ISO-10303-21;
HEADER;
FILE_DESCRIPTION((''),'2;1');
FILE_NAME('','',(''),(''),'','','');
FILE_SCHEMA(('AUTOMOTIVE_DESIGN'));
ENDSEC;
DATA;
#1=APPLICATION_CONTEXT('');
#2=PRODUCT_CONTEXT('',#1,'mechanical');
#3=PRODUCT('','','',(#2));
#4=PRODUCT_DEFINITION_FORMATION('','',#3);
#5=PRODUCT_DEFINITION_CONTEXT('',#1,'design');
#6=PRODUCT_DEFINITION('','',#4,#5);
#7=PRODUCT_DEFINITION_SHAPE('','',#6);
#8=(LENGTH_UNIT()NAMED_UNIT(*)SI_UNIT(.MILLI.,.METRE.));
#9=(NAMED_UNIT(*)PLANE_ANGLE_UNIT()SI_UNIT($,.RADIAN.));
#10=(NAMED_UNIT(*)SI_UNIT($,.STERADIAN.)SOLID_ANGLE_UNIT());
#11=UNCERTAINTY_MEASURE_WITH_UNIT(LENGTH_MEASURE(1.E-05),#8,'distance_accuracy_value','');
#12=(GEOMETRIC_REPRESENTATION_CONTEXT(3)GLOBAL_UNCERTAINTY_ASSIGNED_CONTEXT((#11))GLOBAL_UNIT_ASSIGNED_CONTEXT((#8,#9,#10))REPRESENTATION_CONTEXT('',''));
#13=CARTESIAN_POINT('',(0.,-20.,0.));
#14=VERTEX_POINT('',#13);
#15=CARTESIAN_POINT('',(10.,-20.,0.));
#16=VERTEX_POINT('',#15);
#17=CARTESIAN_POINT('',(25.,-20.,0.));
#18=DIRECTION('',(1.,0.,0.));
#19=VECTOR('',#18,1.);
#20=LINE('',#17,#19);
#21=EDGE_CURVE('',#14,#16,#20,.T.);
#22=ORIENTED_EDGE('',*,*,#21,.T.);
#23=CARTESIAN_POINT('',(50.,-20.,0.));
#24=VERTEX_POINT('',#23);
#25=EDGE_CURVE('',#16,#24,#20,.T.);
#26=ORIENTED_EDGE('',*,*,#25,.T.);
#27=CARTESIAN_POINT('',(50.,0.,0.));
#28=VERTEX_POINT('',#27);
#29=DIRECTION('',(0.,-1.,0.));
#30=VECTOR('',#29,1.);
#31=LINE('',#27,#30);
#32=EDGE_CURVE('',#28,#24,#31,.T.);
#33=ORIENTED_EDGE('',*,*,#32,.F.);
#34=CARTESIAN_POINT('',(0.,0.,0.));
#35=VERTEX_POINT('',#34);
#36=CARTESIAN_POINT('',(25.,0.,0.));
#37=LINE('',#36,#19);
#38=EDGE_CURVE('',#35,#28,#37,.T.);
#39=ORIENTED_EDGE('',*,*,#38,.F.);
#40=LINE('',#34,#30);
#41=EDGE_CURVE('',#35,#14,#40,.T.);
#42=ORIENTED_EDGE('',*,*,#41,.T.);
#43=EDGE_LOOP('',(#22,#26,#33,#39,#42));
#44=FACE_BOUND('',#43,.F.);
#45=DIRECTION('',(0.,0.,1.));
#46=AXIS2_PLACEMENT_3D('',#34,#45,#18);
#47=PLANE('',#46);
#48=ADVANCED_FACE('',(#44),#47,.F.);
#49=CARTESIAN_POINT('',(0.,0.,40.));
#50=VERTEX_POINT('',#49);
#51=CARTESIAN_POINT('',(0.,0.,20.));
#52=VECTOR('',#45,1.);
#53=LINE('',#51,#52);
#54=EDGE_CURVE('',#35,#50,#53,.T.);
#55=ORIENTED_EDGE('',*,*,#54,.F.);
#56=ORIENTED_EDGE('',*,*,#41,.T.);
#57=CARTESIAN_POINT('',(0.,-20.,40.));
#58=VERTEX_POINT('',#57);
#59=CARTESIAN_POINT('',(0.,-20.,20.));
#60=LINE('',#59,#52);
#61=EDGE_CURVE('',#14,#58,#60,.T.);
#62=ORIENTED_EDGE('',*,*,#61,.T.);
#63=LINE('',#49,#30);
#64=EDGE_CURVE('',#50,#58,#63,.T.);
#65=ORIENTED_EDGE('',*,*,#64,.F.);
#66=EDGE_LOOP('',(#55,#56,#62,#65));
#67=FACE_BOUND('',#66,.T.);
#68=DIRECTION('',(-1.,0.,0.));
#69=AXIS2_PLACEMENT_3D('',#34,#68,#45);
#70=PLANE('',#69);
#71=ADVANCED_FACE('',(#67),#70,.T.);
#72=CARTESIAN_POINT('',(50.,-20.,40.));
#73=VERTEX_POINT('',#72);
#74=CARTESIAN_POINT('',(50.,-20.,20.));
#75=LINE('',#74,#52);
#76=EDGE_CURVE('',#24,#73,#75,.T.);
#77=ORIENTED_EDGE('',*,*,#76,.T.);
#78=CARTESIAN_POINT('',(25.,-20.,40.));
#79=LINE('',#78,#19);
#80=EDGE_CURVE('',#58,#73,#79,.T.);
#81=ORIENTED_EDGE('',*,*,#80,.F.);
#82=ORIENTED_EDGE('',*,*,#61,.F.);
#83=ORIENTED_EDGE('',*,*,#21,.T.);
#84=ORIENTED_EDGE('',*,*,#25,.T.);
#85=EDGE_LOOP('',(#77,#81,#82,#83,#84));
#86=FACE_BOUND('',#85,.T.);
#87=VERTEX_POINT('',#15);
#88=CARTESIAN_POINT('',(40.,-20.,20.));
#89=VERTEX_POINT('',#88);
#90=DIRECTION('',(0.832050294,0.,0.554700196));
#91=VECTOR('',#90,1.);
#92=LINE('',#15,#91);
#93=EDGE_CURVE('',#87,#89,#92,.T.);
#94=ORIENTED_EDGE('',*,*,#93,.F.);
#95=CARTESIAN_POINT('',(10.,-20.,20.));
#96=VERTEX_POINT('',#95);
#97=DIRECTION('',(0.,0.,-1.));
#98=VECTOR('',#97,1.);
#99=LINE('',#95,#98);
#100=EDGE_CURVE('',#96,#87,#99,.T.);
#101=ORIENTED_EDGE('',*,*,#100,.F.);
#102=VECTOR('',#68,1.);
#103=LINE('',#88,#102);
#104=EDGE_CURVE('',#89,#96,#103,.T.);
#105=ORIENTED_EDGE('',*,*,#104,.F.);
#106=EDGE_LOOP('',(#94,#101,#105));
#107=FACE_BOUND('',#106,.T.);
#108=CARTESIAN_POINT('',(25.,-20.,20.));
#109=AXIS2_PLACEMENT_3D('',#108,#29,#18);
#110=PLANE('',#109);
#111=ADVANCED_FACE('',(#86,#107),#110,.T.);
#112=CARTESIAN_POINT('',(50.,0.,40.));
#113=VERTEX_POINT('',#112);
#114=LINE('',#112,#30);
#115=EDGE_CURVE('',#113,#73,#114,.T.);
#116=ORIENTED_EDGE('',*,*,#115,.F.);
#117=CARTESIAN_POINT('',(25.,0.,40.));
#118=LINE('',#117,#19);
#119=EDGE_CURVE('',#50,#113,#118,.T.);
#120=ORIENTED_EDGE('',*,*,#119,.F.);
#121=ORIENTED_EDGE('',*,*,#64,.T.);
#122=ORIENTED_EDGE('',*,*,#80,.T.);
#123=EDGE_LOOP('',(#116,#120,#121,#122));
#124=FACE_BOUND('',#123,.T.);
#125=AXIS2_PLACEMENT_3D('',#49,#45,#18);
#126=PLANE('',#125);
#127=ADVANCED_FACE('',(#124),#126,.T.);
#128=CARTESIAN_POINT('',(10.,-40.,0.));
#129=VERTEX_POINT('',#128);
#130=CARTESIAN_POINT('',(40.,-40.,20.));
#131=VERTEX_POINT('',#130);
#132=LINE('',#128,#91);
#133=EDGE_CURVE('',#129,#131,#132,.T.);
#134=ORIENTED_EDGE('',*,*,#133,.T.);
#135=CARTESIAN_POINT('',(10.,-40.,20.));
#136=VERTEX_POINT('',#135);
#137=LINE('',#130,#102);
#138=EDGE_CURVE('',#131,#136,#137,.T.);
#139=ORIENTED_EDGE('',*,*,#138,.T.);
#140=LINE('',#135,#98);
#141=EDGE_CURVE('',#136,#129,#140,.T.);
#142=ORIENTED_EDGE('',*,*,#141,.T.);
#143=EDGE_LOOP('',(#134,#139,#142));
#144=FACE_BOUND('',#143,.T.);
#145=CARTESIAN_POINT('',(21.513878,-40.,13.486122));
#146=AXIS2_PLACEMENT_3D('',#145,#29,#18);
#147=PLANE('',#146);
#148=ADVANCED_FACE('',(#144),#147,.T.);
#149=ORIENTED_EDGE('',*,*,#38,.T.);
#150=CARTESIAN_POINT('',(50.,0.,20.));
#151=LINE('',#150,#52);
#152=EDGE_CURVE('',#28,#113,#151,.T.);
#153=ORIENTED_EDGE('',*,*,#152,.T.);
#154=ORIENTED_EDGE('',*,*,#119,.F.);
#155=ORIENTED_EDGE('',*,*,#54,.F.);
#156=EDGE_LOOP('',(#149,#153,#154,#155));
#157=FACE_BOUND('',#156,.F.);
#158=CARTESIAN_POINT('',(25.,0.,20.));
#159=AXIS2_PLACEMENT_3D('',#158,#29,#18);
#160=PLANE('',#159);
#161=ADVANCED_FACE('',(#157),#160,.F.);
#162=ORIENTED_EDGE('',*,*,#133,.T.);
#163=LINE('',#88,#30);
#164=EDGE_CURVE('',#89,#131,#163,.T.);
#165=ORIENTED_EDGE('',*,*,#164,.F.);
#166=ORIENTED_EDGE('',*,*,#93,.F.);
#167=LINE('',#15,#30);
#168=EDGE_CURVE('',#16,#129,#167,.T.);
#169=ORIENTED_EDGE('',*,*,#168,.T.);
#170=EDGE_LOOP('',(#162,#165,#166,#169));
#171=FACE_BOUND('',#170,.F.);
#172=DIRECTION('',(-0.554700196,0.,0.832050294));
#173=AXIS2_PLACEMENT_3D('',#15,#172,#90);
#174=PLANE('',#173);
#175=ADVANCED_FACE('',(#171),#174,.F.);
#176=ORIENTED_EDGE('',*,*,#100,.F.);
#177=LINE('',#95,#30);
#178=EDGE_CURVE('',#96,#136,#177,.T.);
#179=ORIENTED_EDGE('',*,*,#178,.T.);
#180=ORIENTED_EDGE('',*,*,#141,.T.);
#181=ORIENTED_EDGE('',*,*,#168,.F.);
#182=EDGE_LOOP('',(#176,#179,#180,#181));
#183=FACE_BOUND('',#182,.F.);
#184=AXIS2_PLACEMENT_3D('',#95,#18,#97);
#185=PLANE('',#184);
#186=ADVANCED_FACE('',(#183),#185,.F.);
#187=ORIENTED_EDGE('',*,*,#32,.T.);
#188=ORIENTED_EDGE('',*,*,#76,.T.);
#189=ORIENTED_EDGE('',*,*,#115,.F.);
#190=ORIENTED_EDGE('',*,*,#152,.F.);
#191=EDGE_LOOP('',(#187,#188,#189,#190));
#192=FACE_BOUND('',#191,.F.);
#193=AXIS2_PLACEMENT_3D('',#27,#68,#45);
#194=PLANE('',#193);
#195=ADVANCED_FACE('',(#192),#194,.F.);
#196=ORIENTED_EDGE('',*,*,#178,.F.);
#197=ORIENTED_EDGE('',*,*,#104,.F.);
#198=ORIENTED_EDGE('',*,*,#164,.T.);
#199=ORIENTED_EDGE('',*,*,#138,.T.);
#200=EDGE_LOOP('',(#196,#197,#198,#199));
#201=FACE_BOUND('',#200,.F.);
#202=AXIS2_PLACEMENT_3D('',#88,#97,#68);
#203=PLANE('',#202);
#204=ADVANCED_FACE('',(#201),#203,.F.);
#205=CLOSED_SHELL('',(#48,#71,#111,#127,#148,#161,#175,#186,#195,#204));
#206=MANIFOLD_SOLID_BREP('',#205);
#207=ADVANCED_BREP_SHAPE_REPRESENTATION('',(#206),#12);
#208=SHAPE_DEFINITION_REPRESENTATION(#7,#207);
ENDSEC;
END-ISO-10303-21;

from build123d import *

# Parameters (mm, degrees)
F0_W     = 50
F0_H     = 40
F1_DEPTH = 20
F3_DEPTH = 20


with BuildPart() as f1:
    # F0 (on Front) → F1 (new body)
    with BuildSketch(Plane.XZ):
        with Locations((25, 20)):
            Rectangle(F0_W, F0_H)
    extrude(amount=F1_DEPTH)

    # F2 (on face) → F3 (join)
    with BuildSketch(Plane.XZ.offset(20)):
        Polygon((10, 20), (10, 0), (40, 20), align=None)
    extrude(amount=F3_DEPTH)


solid = f1.part
